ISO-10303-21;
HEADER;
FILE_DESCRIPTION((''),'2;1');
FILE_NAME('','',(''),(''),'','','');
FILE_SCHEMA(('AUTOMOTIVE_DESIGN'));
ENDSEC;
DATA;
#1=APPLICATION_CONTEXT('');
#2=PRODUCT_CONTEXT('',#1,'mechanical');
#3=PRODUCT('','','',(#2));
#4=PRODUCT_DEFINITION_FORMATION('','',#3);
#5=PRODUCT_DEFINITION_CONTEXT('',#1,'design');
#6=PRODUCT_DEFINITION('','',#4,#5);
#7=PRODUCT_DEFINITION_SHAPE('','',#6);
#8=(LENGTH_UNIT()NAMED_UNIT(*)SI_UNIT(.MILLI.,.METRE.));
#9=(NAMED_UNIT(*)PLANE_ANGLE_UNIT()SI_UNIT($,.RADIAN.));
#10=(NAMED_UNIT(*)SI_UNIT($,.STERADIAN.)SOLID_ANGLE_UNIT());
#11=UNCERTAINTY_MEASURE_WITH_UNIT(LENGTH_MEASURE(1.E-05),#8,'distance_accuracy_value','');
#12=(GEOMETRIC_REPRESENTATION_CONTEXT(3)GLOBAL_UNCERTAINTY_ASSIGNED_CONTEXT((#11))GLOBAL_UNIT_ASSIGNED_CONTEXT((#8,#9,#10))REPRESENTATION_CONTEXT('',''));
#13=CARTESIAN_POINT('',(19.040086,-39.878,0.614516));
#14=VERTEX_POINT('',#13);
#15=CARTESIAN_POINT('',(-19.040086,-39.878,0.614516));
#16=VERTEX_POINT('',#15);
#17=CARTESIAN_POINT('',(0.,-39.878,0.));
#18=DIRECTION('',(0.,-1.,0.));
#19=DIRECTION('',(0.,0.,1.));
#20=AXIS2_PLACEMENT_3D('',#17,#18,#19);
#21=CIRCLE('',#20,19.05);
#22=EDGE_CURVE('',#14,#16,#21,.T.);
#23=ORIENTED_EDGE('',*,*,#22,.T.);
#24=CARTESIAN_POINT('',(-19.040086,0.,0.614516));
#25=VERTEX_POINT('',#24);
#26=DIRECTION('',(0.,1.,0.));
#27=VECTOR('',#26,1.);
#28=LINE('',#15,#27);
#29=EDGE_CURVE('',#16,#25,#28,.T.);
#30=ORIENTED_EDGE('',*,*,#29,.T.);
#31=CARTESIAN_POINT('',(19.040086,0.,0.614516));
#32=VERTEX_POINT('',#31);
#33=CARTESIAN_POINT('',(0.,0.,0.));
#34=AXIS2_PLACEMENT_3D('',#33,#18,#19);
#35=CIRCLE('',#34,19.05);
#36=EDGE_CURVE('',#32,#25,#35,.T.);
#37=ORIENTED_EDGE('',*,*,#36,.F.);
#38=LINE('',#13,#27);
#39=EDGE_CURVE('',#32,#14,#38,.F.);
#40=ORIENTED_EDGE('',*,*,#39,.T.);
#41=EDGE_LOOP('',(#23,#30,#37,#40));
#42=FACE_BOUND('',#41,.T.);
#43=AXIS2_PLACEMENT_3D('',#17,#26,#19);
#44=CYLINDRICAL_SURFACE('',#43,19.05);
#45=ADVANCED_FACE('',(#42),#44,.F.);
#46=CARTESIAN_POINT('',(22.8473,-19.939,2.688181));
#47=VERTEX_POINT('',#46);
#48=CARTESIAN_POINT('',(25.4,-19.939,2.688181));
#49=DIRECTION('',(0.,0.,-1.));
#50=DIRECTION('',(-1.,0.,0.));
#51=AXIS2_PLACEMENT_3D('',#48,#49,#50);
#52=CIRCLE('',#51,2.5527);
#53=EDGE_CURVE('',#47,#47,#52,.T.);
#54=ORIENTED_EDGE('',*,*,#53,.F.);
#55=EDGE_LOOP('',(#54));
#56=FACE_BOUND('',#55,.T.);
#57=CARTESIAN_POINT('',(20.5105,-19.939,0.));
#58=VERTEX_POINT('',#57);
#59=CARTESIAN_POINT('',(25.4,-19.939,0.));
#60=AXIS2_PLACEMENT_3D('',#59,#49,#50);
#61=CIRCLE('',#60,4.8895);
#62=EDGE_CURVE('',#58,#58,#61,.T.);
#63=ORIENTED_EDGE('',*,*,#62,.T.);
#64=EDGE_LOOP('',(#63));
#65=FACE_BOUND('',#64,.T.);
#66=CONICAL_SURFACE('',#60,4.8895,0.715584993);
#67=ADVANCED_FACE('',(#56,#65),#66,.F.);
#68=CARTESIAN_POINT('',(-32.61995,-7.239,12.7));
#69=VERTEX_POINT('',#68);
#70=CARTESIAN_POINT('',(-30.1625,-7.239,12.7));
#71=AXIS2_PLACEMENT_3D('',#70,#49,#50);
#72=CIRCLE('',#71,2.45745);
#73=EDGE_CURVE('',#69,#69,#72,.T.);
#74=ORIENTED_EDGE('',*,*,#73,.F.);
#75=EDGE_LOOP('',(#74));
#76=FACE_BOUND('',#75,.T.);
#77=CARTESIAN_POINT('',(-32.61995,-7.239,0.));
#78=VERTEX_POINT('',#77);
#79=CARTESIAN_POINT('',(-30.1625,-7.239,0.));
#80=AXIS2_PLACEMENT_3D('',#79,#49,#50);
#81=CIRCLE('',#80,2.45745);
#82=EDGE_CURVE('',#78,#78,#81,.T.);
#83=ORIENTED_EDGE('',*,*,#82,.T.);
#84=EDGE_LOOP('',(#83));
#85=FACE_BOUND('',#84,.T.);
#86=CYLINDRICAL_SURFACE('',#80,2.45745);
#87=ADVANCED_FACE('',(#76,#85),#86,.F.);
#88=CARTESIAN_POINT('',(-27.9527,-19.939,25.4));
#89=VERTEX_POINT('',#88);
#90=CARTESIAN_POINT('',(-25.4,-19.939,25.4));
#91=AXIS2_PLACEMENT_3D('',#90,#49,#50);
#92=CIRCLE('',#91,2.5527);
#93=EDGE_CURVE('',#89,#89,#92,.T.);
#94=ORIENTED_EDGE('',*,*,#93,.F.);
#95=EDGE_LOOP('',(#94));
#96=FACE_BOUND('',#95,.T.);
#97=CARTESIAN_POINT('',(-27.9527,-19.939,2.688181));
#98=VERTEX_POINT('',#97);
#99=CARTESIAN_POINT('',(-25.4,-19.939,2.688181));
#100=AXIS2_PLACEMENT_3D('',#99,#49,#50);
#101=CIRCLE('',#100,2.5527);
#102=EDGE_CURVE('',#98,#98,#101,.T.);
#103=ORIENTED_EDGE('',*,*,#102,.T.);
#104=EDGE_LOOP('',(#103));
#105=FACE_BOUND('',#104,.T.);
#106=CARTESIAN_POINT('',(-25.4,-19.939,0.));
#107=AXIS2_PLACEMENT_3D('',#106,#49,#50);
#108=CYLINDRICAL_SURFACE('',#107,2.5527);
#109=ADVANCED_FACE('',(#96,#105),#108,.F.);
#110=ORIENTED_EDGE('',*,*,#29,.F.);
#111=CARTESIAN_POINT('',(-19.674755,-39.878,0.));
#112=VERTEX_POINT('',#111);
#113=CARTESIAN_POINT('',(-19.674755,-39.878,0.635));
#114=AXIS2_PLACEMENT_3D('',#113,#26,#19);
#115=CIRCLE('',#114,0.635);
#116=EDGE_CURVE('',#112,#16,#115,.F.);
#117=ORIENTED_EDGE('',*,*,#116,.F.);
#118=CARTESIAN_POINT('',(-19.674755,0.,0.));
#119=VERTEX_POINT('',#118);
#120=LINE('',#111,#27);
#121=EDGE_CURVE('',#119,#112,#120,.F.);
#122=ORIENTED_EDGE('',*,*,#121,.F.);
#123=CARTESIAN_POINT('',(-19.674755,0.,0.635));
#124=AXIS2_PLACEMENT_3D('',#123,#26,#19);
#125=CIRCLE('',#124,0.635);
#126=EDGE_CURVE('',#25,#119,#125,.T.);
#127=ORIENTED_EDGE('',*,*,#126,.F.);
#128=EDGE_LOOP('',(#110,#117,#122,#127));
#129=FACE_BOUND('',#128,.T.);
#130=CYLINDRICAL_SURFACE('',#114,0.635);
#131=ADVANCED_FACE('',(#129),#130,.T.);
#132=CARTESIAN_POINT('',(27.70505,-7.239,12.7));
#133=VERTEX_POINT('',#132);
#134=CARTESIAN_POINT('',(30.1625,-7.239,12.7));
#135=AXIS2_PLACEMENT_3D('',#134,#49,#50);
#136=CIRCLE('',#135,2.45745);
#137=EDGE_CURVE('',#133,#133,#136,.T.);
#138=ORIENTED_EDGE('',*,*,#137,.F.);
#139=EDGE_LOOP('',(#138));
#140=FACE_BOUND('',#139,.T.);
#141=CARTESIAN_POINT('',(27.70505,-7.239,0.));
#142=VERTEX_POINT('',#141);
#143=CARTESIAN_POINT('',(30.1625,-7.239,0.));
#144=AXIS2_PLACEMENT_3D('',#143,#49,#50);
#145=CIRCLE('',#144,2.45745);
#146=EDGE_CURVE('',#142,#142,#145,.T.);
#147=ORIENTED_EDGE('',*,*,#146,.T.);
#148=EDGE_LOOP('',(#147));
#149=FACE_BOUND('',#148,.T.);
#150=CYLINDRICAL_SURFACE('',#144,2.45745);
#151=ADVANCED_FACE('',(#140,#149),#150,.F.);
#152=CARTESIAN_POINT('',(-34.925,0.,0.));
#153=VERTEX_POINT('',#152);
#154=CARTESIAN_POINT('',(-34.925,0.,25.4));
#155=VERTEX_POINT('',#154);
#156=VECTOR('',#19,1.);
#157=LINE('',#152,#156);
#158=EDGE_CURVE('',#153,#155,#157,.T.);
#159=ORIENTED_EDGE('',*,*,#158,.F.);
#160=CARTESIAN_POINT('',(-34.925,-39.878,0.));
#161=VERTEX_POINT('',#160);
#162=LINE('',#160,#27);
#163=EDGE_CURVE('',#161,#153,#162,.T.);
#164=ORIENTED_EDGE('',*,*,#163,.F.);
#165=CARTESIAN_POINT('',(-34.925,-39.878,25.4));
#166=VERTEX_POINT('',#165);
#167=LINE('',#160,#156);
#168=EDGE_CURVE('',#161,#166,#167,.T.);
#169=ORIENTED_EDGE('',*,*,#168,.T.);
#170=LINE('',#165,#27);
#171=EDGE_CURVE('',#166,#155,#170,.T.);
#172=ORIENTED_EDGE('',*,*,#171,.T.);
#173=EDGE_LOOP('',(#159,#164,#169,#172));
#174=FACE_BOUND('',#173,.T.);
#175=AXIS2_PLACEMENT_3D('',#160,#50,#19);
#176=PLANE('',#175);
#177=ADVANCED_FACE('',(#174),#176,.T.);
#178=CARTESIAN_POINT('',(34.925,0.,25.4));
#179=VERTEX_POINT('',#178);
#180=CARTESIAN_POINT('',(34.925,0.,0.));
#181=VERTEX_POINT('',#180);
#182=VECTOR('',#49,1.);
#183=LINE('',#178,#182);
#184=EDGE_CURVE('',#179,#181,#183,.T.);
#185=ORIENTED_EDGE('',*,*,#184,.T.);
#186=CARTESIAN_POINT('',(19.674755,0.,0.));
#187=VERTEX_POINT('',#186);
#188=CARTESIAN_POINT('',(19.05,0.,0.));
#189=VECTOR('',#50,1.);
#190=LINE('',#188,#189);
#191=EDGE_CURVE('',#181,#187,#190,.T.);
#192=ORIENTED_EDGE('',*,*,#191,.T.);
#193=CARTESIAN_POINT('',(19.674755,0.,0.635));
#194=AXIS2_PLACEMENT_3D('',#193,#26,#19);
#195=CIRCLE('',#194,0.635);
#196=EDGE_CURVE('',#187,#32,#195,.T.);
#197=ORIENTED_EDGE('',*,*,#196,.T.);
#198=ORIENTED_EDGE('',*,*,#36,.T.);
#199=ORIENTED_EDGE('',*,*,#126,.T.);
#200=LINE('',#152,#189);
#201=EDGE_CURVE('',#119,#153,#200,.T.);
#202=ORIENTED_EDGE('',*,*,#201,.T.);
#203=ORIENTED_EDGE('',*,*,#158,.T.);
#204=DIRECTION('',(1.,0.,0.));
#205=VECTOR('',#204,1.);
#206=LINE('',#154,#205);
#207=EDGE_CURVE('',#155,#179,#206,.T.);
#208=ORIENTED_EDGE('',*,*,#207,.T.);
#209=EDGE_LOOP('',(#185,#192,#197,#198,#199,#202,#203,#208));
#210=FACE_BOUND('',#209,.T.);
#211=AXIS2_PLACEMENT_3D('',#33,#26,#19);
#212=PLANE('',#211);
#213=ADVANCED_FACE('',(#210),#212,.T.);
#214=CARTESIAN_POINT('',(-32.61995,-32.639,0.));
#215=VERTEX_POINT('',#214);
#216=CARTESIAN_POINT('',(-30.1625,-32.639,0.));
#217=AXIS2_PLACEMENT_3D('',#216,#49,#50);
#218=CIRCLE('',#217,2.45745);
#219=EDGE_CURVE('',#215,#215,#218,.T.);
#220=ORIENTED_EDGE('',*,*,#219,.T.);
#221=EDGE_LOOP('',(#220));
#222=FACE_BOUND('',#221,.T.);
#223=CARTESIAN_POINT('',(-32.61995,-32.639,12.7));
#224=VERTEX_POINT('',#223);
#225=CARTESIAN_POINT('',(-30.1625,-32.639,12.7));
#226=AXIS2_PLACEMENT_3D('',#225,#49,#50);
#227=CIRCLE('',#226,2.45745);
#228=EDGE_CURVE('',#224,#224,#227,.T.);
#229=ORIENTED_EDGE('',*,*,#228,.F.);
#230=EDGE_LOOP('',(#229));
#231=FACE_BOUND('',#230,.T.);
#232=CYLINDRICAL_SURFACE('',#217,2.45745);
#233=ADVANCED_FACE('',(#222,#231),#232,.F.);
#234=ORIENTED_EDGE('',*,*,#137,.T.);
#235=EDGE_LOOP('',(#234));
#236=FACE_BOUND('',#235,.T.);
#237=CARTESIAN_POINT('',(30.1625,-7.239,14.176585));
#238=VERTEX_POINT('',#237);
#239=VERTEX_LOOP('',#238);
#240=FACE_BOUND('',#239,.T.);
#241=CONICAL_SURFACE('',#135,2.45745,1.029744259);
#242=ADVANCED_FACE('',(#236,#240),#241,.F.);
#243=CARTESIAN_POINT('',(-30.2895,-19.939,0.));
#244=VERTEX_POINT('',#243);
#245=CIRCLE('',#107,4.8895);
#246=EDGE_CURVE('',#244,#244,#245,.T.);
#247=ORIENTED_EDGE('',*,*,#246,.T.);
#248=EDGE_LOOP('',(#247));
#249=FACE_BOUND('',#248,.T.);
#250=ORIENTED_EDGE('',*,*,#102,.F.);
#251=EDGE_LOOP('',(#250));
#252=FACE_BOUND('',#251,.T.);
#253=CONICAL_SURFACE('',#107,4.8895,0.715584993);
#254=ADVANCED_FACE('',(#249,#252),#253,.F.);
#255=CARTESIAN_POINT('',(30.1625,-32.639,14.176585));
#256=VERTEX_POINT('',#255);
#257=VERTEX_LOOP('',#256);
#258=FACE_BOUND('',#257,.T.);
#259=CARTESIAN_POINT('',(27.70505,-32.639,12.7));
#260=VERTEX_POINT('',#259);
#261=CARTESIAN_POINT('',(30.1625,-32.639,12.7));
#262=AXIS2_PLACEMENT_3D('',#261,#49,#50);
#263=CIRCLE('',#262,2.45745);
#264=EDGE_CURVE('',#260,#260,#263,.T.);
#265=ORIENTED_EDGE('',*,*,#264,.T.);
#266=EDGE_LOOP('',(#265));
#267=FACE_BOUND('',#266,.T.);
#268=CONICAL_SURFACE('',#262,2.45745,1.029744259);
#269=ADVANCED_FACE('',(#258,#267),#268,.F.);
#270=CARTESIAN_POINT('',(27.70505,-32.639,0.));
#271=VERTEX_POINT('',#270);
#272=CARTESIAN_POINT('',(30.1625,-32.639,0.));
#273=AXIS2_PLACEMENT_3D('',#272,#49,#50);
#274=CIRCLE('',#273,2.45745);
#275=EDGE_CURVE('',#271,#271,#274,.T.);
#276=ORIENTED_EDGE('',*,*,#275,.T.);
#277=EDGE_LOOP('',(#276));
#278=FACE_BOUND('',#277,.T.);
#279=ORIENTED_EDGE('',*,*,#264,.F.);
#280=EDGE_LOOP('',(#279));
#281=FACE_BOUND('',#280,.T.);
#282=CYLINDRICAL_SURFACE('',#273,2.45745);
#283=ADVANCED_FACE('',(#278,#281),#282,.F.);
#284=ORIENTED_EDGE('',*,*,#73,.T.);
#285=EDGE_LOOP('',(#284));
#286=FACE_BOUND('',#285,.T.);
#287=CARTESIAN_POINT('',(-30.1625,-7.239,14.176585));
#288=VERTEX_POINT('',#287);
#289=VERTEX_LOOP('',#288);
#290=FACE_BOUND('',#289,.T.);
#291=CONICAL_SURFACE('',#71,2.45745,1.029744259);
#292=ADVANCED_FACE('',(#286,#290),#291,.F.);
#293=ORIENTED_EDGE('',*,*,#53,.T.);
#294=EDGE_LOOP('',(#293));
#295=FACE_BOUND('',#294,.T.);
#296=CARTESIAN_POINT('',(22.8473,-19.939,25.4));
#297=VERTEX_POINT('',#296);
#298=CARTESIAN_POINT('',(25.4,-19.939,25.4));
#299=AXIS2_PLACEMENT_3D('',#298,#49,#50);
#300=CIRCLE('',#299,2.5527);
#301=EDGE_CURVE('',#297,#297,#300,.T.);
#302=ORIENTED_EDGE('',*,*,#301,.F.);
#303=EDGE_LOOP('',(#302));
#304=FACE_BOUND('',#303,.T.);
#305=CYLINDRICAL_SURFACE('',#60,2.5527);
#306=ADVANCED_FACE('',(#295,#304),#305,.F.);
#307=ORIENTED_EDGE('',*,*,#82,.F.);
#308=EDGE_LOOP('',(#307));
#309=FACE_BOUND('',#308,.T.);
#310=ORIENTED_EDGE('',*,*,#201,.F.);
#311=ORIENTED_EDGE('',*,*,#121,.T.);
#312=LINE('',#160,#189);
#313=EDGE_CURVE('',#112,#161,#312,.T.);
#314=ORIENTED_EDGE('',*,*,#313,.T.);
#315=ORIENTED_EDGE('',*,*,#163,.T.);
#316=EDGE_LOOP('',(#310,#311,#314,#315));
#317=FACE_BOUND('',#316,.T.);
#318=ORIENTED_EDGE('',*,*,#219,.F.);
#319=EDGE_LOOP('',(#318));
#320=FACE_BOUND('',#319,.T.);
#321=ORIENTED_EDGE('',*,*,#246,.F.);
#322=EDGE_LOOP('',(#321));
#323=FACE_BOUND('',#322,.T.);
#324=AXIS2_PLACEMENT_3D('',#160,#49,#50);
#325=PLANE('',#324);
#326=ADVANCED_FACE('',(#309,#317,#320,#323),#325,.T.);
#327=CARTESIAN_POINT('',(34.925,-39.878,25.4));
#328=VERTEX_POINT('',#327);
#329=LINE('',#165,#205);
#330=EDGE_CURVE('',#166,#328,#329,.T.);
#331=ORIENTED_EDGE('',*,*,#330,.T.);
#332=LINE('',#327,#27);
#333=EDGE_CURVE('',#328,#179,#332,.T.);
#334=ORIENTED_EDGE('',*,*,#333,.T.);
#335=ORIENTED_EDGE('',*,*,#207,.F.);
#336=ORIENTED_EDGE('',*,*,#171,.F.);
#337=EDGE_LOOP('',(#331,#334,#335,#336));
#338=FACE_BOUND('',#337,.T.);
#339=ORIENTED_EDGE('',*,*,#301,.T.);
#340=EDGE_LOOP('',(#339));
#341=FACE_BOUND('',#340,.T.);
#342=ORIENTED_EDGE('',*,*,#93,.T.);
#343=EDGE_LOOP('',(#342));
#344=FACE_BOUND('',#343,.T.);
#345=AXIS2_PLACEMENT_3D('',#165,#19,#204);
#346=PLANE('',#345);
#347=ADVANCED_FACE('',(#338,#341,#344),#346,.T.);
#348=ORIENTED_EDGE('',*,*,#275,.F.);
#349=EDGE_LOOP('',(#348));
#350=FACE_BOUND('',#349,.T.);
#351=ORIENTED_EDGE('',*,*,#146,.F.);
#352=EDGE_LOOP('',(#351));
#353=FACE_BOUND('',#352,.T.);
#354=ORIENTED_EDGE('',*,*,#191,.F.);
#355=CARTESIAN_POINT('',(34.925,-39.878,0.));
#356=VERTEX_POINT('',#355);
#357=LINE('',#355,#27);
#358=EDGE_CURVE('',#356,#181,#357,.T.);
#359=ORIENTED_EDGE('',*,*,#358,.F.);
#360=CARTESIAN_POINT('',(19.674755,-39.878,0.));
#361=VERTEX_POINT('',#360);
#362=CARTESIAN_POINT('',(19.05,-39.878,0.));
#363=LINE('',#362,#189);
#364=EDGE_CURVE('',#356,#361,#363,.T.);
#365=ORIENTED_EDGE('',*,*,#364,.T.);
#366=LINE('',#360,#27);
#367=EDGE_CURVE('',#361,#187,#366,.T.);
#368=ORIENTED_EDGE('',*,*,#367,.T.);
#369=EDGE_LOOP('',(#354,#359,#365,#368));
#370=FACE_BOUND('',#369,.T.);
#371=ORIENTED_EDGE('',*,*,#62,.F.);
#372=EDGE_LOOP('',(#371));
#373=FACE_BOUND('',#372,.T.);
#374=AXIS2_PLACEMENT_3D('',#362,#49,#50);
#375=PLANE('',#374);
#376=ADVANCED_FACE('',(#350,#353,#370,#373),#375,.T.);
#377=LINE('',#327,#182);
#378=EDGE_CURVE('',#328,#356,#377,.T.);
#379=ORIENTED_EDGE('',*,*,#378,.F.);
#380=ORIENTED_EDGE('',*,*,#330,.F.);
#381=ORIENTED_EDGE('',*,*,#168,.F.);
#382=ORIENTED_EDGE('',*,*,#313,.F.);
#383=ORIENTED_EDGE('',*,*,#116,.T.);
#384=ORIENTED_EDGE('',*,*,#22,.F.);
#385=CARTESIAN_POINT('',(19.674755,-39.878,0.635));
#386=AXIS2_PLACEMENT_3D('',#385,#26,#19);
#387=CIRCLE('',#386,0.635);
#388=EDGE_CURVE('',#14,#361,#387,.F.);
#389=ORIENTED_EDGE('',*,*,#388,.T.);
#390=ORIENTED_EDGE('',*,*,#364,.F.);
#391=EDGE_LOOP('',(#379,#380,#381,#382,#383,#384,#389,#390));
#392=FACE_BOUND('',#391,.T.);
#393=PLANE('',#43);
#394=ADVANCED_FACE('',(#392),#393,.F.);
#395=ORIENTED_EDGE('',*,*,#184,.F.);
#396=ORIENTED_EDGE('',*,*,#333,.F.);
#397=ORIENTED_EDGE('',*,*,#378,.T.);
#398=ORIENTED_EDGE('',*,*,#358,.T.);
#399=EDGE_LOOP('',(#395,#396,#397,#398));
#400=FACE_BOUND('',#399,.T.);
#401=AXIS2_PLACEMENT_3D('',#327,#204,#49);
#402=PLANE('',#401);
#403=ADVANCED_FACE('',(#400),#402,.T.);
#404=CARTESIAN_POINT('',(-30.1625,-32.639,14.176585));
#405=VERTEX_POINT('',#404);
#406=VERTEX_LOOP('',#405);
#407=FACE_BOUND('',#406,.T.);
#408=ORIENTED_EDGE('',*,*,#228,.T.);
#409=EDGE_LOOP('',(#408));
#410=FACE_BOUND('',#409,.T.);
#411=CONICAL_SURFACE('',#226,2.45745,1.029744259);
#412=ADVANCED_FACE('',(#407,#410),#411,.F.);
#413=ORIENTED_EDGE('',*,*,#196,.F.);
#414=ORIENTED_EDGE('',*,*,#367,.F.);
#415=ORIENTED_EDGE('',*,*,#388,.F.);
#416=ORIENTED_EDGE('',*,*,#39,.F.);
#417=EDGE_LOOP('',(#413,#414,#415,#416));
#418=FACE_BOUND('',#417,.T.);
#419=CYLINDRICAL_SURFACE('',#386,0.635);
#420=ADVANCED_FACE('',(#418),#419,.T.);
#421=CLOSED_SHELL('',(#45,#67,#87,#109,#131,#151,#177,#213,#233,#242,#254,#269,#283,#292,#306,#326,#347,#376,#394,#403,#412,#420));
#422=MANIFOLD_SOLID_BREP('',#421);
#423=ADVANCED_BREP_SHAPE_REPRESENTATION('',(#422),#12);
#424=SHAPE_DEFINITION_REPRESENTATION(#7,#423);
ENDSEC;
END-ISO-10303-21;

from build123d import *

# Parameters (mm, degrees)
BOSS_EXTRUDE2_DEPTH                                = 39.878
FILLET1_R                                          = 0.635
CSK_FOR_10_FLAT_HEAD_MACHINE_SCREW_100_D           = 5.1054
CSK_FOR_10_FLAT_HEAD_MACHINE_SCREW_100_CSINK_D     = 9.779
CSK_FOR_10_FLAT_HEAD_MACHINE_SCREW_100_CSINK_ANGLE = 82
F_10_0_1935_DIAMETER_HOLE2_AT_2_COUNT              = 2
F_10_0_1935_DIAMETER_HOLE2_AT_2_PITCH              = 25.4


with BuildPart() as part:
    # Sketch5 → Boss-Extrude2 (new body)
    with BuildSketch(Plane(origin=(0, 0, 0), x_dir=(1, 0, 0), z_dir=(0, 1, 0))):
        with BuildLine():
            Line((-34.925, 0), (-34.925, -25.4))
            Line((-34.925, -25.4), (34.925, -25.4))
            Line((34.925, -25.4), (34.925, 0))
            Line((34.925, 0), (19.05, 0))
            ThreePointArc((19.05, 0), (0, -19.05), (-19.05, 0))
            Line((-19.05, 0), (-34.925, 0))
        make_face()
    extrude(amount=-BOSS_EXTRUDE2_DEPTH)

    # Fillet1
    fillet1_edges = [part.edges().sort_by_distance(p)[0] for p in [
        (-19.05, -19.939, 0),
        (19.05, -19.939, 0),
    ]]
    fillet(fillet1_edges, radius=FILLET1_R)

    # CSK for #10 Flat Head Machine Screw (100)1 (through all)
    with Locations(Plane(origin=(0, 0, 0), x_dir=(-1, 0, 0), z_dir=(0, 0, -1))):
        with Locations((-25.4, -19.939)):
            csk_for_10_flat_head_machine_screw_100 = CounterSinkHole(CSK_FOR_10_FLAT_HEAD_MACHINE_SCREW_100_D / 2, CSK_FOR_10_FLAT_HEAD_MACHINE_SCREW_100_CSINK_D / 2, counter_sink_angle=CSK_FOR_10_FLAT_HEAD_MACHINE_SCREW_100_CSINK_ANGLE)

    # Sketch12 → #10 (0.1935) Diameter Hole2 (revolve, cut)
    with BuildSketch(Plane(origin=(30.1625, -7.239, 0), x_dir=(0, 1, 0), z_dir=(1, 0, 0))):
        Polygon((0, 0), (0, 14.176584928), (2.45745, 12.7), (2.45745, 0), align=None)
    f_10_0_1935_diameter_hole2 = revolve(axis=Axis((30.1625, -7.239, -6.35), (0, 0, 1)), mode=Mode.SUBTRACT)

    # #10 (0.1935) Diameter Hole2 at 2: #10 (0.1935) Diameter Hole2 ×2
    with Locations(*[(0, -i * F_10_0_1935_DIAMETER_HOLE2_AT_2_PITCH, 0) for i in range(1, F_10_0_1935_DIAMETER_HOLE2_AT_2_COUNT)]):
        add(f_10_0_1935_diameter_hole2, mode=Mode.SUBTRACT)

    # Mirror1: #10 (0.1935) Diameter Hole2, CSK for #10 Flat Head Machine Screw (100)1 across plane
    add(f_10_0_1935_diameter_hole2.mirror(Plane(origin=(0, 0, 0), x_dir=(0, 0, 1), z_dir=(1, 0, 0))), mode=Mode.SUBTRACT)
    add(csk_for_10_flat_head_machine_screw_100.mirror(Plane(origin=(0, 0, 0), x_dir=(0, 0, 1), z_dir=(1, 0, 0))), mode=Mode.SUBTRACT)

    # Mirror1 copy 1 sketch → Mirror1 copy 1 (revolve, cut)
    with BuildSketch(Plane(origin=(-30.1625, -32.639, 0), x_dir=(0, 1, 0), z_dir=(-1, 0, 0))):
        Polygon((0, 0), (0, -14.176584928), (2.45745, -12.7), (2.45745, 0), align=None)
    revolve(axis=Axis((-30.1625, -32.639, -6.35), (0, 0, -1)), mode=Mode.SUBTRACT)


solid = part.part
